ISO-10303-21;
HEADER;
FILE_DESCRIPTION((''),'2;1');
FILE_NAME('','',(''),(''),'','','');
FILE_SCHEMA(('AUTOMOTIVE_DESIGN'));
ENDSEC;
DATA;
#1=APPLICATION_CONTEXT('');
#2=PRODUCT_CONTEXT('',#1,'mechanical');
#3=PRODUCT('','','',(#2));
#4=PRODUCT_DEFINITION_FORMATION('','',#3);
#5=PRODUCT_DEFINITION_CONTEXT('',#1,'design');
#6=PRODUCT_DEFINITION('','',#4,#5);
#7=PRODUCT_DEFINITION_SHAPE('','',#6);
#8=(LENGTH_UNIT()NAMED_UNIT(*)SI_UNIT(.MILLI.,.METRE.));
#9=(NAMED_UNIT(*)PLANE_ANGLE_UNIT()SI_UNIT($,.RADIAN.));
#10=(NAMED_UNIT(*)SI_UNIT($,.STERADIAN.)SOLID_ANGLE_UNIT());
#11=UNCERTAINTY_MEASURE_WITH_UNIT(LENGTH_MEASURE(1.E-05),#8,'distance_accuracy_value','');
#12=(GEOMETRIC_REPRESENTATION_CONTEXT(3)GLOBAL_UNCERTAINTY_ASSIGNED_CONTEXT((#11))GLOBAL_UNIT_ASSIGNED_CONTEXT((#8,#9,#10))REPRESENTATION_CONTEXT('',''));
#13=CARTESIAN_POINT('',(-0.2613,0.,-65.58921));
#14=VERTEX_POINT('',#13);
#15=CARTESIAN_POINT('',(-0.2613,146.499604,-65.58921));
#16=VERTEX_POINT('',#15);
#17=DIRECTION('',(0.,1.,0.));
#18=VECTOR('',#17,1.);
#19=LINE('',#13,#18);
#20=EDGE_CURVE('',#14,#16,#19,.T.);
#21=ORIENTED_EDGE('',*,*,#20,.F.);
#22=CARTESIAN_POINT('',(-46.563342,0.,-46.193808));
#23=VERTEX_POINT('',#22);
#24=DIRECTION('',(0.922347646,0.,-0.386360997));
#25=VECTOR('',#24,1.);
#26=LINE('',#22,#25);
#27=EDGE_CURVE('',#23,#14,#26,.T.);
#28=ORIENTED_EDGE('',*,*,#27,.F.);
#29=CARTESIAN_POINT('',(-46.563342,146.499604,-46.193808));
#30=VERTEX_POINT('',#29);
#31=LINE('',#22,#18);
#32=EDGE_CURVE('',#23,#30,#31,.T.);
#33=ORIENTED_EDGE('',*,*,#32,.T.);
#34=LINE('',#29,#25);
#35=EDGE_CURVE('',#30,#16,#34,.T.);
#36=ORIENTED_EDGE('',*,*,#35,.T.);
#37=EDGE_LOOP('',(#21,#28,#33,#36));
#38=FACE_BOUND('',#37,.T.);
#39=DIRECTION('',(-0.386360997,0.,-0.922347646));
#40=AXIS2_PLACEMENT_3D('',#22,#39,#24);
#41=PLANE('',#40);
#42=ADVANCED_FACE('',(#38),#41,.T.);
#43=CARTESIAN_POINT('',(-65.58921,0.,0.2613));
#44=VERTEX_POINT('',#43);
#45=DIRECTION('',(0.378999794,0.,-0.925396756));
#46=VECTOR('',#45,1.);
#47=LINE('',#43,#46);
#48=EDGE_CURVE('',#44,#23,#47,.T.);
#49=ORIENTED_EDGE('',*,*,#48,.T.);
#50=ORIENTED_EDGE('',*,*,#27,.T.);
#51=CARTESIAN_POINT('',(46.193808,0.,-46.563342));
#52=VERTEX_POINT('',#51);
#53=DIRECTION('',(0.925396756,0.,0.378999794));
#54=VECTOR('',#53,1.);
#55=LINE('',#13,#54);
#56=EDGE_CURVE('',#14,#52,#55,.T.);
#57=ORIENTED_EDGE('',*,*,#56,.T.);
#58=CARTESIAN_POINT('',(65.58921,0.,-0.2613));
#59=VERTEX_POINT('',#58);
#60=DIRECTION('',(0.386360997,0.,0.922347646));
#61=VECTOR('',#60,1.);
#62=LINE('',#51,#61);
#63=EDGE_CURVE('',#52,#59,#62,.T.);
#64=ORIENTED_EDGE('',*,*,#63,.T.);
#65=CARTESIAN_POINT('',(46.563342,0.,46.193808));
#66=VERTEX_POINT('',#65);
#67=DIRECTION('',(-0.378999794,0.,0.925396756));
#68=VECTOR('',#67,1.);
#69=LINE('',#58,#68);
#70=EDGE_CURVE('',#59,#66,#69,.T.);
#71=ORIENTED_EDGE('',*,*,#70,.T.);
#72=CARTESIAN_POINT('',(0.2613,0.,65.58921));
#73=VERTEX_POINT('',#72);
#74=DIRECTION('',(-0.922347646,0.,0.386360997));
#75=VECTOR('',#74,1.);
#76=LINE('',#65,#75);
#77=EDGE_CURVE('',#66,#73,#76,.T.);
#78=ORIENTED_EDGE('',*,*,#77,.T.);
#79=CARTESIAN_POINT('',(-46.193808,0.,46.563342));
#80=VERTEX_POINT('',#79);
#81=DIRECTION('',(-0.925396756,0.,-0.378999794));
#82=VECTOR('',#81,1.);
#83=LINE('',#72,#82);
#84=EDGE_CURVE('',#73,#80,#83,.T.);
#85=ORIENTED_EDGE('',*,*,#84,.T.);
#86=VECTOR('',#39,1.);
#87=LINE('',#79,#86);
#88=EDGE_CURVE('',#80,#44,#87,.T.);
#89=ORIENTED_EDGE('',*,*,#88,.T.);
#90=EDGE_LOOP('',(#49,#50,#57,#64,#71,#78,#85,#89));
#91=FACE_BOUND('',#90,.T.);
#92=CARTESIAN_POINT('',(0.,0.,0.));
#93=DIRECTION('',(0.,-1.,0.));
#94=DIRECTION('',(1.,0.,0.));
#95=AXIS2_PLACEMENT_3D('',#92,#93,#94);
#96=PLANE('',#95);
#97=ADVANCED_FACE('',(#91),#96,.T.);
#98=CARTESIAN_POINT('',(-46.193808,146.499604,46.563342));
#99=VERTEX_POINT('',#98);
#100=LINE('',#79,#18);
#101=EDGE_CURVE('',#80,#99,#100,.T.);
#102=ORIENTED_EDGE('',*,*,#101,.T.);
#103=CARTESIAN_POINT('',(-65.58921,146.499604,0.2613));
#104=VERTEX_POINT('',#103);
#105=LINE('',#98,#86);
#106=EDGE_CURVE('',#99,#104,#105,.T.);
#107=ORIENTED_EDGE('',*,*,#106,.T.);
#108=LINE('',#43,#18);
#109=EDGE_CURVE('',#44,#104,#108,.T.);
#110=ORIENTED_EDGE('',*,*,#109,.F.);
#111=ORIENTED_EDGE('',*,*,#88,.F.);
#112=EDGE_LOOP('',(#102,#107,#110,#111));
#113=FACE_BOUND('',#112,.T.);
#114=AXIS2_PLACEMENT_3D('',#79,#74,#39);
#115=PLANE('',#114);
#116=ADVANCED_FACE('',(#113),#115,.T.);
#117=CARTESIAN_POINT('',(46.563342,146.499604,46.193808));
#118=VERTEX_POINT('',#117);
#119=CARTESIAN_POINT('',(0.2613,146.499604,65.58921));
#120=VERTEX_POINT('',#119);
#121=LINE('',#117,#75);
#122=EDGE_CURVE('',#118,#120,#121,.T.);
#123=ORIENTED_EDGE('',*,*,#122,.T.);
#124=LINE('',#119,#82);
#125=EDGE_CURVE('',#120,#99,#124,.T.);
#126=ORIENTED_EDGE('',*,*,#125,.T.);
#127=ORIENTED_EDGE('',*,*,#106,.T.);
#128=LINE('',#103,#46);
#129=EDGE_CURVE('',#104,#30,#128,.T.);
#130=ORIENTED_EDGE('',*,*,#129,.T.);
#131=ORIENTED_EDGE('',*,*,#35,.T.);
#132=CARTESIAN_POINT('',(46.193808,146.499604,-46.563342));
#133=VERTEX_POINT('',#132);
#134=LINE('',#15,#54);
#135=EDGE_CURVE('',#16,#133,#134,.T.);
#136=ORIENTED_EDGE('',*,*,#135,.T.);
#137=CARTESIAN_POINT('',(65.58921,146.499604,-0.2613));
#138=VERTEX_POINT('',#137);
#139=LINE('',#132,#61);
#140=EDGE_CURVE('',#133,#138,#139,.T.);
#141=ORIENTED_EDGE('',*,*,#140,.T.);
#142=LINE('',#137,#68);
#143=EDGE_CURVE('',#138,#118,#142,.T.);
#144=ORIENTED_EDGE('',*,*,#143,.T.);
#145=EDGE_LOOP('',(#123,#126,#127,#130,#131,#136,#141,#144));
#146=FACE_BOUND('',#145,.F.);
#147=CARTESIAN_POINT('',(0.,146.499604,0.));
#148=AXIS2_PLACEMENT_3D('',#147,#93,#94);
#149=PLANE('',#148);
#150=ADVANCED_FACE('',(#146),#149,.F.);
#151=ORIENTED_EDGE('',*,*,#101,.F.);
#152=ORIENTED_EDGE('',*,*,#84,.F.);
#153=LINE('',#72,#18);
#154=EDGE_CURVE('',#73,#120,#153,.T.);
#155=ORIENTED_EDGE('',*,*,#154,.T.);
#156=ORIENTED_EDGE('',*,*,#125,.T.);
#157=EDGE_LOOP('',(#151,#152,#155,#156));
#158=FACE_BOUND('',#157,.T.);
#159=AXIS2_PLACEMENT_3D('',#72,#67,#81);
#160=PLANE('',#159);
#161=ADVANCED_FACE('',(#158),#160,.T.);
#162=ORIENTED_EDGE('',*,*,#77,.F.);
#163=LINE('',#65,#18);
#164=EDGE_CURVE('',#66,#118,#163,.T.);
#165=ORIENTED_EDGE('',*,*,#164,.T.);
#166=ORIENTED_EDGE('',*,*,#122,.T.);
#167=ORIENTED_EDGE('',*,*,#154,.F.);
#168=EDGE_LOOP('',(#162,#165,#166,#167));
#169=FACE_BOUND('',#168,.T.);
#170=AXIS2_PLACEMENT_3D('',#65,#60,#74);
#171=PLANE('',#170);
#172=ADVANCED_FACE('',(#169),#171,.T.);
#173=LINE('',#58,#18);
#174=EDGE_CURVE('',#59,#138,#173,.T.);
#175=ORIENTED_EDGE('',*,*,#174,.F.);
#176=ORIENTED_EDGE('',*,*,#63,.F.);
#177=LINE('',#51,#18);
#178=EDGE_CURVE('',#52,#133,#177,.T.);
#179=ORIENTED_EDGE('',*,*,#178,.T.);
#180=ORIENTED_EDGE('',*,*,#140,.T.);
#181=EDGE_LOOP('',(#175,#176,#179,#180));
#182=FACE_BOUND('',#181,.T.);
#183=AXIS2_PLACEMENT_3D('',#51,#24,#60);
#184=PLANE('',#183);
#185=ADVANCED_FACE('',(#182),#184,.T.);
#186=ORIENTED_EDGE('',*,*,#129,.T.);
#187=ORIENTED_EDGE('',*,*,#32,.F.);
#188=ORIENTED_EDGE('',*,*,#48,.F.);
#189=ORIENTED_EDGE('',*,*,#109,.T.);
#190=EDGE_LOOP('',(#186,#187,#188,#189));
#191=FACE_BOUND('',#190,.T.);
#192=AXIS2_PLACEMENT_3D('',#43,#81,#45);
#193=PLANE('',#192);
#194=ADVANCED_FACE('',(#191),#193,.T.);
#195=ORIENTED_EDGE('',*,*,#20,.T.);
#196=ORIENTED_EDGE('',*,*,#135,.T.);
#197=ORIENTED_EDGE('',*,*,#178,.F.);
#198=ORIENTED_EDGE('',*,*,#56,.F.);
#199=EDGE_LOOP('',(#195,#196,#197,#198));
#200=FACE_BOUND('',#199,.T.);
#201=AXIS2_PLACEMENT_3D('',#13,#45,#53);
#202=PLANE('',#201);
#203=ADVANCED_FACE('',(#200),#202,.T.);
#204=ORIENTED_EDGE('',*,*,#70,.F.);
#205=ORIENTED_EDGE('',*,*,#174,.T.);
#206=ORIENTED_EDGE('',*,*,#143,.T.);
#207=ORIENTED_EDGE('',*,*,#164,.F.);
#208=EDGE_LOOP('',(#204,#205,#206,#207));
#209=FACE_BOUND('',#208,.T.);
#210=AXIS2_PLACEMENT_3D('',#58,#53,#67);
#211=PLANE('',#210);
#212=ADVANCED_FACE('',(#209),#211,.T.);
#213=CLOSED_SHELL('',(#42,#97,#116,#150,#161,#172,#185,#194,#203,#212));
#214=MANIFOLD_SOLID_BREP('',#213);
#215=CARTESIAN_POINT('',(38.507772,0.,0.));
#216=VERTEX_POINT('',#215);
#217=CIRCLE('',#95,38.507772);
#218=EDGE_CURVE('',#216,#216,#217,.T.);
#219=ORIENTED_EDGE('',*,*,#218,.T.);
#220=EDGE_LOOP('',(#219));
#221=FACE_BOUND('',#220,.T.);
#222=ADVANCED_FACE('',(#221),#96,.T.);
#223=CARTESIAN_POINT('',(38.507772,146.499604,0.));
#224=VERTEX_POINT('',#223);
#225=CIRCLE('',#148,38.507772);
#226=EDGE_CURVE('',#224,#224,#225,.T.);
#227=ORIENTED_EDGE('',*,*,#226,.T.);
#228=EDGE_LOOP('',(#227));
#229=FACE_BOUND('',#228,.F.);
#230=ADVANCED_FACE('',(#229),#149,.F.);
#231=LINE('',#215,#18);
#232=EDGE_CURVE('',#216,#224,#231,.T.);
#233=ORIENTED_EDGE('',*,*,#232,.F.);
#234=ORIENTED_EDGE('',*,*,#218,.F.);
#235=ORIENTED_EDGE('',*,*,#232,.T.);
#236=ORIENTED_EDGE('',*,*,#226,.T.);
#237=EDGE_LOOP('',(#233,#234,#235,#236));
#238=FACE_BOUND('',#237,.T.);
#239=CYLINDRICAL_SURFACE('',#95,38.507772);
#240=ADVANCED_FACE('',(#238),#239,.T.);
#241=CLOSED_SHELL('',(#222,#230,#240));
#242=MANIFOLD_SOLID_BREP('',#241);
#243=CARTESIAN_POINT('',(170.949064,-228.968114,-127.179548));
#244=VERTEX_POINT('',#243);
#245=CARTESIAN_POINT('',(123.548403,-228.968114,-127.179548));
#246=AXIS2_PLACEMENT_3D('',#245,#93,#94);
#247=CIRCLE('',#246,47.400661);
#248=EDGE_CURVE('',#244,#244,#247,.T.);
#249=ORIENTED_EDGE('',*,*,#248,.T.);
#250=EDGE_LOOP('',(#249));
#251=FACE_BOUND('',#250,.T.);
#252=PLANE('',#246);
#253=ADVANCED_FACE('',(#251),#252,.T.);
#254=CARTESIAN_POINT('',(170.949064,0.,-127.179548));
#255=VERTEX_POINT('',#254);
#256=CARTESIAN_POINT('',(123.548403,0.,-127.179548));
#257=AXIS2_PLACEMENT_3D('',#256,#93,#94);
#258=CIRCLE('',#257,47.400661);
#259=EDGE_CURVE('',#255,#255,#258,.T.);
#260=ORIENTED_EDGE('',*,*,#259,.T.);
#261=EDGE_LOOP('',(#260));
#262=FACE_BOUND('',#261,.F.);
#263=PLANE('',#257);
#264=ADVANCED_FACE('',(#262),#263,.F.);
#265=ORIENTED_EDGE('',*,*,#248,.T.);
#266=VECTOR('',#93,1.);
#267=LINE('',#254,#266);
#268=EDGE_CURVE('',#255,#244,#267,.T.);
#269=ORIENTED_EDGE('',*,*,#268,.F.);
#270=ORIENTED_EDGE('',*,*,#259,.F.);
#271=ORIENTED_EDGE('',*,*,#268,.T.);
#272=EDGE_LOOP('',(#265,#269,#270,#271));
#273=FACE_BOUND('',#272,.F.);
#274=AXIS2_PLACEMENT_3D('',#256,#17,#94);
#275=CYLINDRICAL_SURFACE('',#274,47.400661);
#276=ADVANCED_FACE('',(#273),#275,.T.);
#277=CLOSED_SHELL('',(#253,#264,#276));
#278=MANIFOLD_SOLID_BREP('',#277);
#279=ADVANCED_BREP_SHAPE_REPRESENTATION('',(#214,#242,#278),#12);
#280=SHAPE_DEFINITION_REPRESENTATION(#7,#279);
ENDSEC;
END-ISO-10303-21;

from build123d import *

# Parameters (mm, degrees)
F2_R     = 47.4006605725
F3_DEPTH = 228.9681136608
F1_R     = 38.5077720906
F4_DEPTH = 146.4996039867


with BuildPart() as f3:
    # F2 (on Front) → F3 (new body)
    with BuildSketch(Plane.XZ):
        with Locations((123.5484033823, -127.1795481443)):
            Circle(F2_R)
    extrude(amount=F3_DEPTH)


with BuildPart() as f4:
    # F1 (on Front) → F4 (new body)
    with BuildSketch(Plane.XZ):
        Circle(F1_R)
    extrude(amount=-F4_DEPTH)


with BuildPart() as f4b:
    # F0 (on Front) → F4, piece 2 (new body)
    with BuildSketch(Plane.XZ):
        Polygon((0.2612999241, 65.5892101439), (-46.1938083172, 46.5633422136), (-65.5892101439, 0.2612999241), (-46.5633422136, -46.1938083172), (-0.2612999241, -65.5892101439), (46.1938083172, -46.5633422136), (65.5892101439, -0.2612999241), (46.5633422136, 46.1938083172), align=None)
    extrude(amount=-F4_DEPTH)


solid = Compound([f3.part, f4.part, f4b.part])
